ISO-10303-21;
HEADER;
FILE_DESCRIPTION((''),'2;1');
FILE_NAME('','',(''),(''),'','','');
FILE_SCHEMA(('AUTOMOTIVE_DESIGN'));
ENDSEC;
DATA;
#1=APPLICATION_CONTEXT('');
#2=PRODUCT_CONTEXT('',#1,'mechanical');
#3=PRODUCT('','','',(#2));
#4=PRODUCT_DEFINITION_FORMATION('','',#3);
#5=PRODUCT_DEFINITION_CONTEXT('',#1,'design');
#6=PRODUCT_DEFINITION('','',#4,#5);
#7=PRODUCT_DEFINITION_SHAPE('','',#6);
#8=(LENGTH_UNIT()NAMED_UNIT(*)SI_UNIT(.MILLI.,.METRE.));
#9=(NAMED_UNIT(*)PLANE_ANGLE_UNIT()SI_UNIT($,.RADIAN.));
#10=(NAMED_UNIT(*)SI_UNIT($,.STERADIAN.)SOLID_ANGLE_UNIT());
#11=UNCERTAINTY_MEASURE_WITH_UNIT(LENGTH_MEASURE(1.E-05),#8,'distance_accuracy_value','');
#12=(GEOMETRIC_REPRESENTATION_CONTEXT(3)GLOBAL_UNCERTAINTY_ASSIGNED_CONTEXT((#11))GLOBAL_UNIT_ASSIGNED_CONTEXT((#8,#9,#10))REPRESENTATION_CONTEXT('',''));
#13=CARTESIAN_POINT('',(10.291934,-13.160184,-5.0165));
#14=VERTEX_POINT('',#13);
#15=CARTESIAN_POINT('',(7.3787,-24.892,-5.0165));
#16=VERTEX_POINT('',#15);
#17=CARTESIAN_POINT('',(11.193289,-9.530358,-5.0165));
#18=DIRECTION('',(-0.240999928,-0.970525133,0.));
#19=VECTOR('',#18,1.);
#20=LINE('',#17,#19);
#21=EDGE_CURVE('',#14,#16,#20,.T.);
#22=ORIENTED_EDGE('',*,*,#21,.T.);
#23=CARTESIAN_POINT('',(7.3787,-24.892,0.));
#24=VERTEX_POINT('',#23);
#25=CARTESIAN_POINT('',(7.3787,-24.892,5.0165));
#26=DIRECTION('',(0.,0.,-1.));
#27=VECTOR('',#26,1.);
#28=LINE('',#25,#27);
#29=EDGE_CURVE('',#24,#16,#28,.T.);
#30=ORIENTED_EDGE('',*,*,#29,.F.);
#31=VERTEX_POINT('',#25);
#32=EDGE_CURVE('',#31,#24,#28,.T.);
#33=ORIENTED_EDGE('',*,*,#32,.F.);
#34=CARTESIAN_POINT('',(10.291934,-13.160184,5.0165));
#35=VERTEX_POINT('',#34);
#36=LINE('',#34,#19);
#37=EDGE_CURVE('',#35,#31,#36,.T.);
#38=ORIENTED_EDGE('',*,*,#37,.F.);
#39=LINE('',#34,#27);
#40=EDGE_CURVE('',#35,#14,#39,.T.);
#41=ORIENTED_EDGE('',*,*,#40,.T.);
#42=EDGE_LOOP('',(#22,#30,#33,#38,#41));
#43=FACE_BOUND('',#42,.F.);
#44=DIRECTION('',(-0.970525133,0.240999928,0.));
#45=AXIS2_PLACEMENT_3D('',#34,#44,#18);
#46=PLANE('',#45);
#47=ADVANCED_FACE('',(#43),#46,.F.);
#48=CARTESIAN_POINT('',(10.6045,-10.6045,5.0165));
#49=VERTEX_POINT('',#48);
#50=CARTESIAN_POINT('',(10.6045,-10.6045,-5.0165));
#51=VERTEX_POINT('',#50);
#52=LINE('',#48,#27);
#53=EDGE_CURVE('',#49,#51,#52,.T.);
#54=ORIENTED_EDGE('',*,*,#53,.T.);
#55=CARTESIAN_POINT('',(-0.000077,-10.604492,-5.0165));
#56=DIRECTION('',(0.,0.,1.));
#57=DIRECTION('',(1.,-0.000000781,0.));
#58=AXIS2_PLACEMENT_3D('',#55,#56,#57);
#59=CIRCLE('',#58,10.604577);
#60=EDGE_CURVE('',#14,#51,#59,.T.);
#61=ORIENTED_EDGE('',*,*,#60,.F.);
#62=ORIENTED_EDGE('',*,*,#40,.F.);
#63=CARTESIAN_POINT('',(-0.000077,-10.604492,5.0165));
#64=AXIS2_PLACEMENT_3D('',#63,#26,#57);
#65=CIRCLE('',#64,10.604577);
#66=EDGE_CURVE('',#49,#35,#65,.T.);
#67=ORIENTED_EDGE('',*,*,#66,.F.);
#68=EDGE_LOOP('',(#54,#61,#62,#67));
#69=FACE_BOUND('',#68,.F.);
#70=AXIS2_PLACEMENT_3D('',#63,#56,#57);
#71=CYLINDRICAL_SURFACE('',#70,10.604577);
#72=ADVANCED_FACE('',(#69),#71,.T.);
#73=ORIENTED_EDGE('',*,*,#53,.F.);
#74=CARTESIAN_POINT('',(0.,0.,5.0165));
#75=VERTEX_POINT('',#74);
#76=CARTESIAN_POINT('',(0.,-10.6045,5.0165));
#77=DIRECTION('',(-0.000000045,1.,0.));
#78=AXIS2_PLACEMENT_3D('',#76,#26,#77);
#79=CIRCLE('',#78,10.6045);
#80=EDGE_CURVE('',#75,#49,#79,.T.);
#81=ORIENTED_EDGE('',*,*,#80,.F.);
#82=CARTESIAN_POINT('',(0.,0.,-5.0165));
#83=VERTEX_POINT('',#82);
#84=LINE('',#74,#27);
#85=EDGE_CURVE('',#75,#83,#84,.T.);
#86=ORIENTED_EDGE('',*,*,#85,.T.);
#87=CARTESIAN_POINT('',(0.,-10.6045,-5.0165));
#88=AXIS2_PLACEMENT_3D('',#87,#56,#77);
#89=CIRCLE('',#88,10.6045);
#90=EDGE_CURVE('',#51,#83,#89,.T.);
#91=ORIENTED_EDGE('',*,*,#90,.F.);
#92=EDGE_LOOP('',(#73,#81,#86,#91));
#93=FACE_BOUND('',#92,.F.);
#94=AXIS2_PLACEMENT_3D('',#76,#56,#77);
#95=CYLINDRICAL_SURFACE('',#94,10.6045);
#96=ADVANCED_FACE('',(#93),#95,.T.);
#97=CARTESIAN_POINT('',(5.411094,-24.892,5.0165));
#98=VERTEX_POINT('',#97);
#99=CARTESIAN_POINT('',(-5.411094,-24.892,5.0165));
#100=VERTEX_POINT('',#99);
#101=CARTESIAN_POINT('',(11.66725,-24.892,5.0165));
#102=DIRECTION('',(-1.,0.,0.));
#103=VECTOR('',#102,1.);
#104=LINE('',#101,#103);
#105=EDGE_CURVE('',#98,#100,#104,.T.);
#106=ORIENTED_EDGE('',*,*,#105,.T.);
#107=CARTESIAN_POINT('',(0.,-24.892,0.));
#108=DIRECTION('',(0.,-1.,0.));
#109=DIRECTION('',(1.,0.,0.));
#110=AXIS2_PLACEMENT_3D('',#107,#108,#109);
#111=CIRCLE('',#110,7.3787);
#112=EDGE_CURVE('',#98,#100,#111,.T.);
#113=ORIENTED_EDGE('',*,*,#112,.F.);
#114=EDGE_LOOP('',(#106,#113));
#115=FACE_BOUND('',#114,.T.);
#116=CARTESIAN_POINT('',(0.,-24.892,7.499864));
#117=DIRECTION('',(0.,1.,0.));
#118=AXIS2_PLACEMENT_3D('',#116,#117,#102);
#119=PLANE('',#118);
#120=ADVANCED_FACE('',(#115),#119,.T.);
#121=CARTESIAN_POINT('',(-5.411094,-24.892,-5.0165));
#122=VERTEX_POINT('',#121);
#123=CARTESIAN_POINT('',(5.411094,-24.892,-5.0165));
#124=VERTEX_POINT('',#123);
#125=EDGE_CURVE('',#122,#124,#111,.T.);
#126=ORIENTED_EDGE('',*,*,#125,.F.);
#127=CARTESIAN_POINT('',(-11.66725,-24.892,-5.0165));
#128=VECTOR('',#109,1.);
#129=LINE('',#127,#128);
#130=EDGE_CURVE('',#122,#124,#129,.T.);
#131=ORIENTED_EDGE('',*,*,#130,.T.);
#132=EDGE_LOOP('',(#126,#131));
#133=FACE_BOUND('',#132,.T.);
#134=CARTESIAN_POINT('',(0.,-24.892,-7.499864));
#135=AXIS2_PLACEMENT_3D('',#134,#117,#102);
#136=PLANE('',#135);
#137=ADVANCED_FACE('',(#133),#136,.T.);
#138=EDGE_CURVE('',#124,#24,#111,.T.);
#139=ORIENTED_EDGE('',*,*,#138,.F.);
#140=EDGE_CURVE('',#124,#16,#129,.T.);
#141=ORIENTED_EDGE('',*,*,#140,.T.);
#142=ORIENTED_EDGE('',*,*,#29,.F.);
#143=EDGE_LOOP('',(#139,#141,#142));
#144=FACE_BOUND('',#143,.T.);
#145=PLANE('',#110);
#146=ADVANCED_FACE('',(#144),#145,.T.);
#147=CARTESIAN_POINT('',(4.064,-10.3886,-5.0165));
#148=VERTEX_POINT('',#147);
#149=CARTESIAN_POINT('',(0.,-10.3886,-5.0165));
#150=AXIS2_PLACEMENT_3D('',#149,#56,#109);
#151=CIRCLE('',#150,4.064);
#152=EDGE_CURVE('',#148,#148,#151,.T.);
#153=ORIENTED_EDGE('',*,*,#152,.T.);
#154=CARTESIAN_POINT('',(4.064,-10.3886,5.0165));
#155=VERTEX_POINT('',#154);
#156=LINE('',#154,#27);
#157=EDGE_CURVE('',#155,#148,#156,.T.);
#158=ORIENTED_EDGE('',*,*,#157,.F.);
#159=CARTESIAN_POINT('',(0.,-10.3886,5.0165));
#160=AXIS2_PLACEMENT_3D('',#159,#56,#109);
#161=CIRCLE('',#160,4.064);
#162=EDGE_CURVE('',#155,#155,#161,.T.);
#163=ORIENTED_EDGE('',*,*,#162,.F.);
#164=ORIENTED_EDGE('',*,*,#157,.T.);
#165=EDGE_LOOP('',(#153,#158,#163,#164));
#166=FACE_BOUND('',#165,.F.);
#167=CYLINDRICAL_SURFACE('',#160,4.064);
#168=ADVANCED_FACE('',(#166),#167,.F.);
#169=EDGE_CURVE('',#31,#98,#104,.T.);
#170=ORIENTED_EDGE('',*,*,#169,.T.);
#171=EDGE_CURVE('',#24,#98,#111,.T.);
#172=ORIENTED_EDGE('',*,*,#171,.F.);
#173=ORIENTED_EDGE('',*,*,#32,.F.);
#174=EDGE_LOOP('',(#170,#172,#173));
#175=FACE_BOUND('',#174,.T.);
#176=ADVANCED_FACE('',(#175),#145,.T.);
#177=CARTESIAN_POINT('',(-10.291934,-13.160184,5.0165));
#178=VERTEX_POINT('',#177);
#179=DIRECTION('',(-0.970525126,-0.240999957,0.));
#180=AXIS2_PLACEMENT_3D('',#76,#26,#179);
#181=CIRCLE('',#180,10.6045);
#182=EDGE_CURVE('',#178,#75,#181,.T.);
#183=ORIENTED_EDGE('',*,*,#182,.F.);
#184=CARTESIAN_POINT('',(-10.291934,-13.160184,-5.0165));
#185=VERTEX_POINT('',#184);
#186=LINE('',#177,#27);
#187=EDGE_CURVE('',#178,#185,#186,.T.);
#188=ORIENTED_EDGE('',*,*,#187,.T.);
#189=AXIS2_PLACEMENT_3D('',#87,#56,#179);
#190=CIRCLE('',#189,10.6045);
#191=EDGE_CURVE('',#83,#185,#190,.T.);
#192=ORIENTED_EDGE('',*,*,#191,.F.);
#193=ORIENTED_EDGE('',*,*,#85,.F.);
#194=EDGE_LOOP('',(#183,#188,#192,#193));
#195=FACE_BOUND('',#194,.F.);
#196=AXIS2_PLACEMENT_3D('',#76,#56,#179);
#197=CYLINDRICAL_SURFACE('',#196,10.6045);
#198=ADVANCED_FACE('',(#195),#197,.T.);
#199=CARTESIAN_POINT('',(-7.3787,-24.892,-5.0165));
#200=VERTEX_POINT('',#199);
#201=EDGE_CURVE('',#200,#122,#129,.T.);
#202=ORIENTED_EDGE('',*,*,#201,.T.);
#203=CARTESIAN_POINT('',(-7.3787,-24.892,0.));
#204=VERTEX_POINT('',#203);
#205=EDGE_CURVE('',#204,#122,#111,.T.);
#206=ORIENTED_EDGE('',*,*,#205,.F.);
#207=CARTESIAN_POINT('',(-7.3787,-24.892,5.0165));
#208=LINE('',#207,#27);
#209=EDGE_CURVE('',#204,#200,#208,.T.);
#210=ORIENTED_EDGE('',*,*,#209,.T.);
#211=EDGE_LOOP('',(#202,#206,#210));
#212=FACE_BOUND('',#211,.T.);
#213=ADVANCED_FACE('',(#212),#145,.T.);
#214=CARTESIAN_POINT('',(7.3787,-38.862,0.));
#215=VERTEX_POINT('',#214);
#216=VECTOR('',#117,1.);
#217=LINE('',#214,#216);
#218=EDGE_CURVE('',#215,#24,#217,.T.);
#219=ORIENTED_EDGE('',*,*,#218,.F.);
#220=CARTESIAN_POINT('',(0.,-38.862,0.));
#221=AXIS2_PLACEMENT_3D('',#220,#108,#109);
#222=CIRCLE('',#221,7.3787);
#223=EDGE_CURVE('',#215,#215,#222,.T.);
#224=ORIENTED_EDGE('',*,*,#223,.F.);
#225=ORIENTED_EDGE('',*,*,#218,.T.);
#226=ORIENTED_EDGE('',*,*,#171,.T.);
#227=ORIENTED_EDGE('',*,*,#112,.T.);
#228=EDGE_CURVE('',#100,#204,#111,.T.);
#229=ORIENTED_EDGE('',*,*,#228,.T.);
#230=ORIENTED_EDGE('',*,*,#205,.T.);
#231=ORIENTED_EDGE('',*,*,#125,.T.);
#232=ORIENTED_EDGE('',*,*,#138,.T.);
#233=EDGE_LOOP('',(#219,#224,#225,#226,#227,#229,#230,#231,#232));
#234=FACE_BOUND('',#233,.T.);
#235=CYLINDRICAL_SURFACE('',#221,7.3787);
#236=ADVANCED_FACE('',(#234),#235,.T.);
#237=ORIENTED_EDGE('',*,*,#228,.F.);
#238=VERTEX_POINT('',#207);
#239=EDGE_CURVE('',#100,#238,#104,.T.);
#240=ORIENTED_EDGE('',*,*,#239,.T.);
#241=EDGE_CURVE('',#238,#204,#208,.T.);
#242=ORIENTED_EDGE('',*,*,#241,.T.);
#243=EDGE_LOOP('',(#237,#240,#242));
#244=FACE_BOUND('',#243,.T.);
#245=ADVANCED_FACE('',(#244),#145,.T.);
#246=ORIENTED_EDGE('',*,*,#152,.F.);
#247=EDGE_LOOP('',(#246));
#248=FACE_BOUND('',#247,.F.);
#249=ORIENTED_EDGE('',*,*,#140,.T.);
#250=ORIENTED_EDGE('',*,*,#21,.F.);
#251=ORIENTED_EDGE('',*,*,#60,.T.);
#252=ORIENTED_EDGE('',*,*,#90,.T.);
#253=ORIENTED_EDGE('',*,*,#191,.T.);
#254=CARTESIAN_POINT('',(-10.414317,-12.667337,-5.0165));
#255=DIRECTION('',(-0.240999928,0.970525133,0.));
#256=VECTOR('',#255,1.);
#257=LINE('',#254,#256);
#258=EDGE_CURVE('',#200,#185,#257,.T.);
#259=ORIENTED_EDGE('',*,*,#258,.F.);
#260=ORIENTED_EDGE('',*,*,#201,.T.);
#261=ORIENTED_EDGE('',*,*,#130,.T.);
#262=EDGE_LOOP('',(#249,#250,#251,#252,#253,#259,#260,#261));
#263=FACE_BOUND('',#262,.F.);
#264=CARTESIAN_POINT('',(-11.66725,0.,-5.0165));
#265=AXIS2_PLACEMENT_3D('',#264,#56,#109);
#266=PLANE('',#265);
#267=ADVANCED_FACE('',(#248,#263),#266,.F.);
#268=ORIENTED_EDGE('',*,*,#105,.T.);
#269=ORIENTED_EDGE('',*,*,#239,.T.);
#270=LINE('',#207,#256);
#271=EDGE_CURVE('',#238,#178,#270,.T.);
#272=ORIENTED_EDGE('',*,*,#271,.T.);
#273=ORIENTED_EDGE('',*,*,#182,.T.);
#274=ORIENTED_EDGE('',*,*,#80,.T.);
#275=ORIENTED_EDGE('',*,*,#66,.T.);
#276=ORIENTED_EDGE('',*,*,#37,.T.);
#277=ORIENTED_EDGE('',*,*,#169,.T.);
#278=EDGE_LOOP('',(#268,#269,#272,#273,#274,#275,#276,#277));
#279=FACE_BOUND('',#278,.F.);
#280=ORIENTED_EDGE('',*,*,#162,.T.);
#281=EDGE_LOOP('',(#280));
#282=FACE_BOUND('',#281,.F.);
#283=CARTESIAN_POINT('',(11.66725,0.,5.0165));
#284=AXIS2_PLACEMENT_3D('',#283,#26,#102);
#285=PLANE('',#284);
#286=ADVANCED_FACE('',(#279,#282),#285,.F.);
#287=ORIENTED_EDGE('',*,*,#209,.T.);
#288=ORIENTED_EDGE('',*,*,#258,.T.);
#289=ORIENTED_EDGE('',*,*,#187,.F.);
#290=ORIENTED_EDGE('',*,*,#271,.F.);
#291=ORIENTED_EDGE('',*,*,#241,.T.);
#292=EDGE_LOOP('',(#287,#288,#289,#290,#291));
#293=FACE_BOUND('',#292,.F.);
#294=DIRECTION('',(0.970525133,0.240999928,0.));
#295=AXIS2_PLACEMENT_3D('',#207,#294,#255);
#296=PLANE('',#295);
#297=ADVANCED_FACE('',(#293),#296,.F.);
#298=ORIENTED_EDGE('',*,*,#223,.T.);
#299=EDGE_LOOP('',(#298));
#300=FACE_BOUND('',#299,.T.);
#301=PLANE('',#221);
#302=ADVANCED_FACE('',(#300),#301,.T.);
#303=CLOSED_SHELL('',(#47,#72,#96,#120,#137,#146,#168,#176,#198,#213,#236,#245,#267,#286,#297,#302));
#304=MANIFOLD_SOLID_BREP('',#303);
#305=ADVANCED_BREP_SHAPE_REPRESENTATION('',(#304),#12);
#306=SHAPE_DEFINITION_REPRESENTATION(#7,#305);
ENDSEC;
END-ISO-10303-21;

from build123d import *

# Parameters (mm, degrees)
F0_R     = 12.7
F1_DEPTH = 38.862
F2_R     = 12.7
F2_R_2   = 7.3787
F3_DEPTH = 13.97
F5_DEPTH = 24.892
F6_W     = 1.03275
F6_H     = 24.892
F6_R     = 4.064
F7_DEPTH = 25.4


with BuildPart() as f1:
    # F0 (on Front) → F1 (new body)
    with BuildSketch(Plane.XZ):
        Circle(F0_R)
    extrude(amount=F1_DEPTH)

    # F2 (on face) → F3 (cut)
    with BuildSketch(Plane.XZ.offset(38.862)):
        Circle(F2_R)
        Circle(F2_R_2, mode=Mode.SUBTRACT)
    extrude(amount=-F3_DEPTH, mode=Mode.SUBTRACT)

    # F4 (on face) → F5 (cut)
    with BuildSketch(Plane(origin=(0, 0, 0), x_dir=(-1, 0, 0), z_dir=(0, 1, 0))):
        with BuildLine():
            ThreePointArc((11.66725, 5.0165), (0, 12.7), (-11.66725, 5.0165))
            Line((-11.66725, 5.0165), (11.66725, 5.0165))
        make_face()
        with BuildLine():
            Line((11.66725, -5.0165), (-11.66725, -5.0165))
            ThreePointArc((-11.66725, -5.0165), (0, -12.7), (11.66725, -5.0165))
        make_face()
    extrude(amount=-F5_DEPTH, mode=Mode.SUBTRACT)

    # F6 (on face) → F7 (cut)
    with BuildSketch(Plane.XY.offset(5.0165)):
        with BuildLine():
            Line((-11.66725, 0), (-11.66725, -24.892))
            Line((-11.66725, -24.892), (-7.3787, -24.892))
            Line((-7.3787, -24.892), (-10.291934, -13.160184))
            ThreePointArc((-10.291934, -13.160184), (-8.353358, -4.071749), (0, 0))
            Line((0, 0), (-11.66725, 0))
        make_face()
        with Locations((-12.183625, -12.446)):
            Rectangle(F6_W, F6_H)
        with BuildLine():
            Line((11.66725, 0), (0, 0))
            ThreePointArc((0, 0), (7.498514, -3.105986), (10.6045, -10.6045))
            ThreePointArc((10.6045, -10.6045), (10.526068, -11.891863), (10.291934, -13.160184))
            Line((10.291934, -13.160184), (7.3787, -24.892))
            Line((7.3787, -24.892), (11.66725, -24.892))
            Line((11.66725, -24.892), (11.66725, 0))
        make_face()
        with Locations((12.183625, -12.446)):
            Rectangle(F6_W, F6_H)
        with Locations((0, -10.3886)):
            Circle(F6_R)
    extrude(amount=-F7_DEPTH, mode=Mode.SUBTRACT)


solid = f1.part
